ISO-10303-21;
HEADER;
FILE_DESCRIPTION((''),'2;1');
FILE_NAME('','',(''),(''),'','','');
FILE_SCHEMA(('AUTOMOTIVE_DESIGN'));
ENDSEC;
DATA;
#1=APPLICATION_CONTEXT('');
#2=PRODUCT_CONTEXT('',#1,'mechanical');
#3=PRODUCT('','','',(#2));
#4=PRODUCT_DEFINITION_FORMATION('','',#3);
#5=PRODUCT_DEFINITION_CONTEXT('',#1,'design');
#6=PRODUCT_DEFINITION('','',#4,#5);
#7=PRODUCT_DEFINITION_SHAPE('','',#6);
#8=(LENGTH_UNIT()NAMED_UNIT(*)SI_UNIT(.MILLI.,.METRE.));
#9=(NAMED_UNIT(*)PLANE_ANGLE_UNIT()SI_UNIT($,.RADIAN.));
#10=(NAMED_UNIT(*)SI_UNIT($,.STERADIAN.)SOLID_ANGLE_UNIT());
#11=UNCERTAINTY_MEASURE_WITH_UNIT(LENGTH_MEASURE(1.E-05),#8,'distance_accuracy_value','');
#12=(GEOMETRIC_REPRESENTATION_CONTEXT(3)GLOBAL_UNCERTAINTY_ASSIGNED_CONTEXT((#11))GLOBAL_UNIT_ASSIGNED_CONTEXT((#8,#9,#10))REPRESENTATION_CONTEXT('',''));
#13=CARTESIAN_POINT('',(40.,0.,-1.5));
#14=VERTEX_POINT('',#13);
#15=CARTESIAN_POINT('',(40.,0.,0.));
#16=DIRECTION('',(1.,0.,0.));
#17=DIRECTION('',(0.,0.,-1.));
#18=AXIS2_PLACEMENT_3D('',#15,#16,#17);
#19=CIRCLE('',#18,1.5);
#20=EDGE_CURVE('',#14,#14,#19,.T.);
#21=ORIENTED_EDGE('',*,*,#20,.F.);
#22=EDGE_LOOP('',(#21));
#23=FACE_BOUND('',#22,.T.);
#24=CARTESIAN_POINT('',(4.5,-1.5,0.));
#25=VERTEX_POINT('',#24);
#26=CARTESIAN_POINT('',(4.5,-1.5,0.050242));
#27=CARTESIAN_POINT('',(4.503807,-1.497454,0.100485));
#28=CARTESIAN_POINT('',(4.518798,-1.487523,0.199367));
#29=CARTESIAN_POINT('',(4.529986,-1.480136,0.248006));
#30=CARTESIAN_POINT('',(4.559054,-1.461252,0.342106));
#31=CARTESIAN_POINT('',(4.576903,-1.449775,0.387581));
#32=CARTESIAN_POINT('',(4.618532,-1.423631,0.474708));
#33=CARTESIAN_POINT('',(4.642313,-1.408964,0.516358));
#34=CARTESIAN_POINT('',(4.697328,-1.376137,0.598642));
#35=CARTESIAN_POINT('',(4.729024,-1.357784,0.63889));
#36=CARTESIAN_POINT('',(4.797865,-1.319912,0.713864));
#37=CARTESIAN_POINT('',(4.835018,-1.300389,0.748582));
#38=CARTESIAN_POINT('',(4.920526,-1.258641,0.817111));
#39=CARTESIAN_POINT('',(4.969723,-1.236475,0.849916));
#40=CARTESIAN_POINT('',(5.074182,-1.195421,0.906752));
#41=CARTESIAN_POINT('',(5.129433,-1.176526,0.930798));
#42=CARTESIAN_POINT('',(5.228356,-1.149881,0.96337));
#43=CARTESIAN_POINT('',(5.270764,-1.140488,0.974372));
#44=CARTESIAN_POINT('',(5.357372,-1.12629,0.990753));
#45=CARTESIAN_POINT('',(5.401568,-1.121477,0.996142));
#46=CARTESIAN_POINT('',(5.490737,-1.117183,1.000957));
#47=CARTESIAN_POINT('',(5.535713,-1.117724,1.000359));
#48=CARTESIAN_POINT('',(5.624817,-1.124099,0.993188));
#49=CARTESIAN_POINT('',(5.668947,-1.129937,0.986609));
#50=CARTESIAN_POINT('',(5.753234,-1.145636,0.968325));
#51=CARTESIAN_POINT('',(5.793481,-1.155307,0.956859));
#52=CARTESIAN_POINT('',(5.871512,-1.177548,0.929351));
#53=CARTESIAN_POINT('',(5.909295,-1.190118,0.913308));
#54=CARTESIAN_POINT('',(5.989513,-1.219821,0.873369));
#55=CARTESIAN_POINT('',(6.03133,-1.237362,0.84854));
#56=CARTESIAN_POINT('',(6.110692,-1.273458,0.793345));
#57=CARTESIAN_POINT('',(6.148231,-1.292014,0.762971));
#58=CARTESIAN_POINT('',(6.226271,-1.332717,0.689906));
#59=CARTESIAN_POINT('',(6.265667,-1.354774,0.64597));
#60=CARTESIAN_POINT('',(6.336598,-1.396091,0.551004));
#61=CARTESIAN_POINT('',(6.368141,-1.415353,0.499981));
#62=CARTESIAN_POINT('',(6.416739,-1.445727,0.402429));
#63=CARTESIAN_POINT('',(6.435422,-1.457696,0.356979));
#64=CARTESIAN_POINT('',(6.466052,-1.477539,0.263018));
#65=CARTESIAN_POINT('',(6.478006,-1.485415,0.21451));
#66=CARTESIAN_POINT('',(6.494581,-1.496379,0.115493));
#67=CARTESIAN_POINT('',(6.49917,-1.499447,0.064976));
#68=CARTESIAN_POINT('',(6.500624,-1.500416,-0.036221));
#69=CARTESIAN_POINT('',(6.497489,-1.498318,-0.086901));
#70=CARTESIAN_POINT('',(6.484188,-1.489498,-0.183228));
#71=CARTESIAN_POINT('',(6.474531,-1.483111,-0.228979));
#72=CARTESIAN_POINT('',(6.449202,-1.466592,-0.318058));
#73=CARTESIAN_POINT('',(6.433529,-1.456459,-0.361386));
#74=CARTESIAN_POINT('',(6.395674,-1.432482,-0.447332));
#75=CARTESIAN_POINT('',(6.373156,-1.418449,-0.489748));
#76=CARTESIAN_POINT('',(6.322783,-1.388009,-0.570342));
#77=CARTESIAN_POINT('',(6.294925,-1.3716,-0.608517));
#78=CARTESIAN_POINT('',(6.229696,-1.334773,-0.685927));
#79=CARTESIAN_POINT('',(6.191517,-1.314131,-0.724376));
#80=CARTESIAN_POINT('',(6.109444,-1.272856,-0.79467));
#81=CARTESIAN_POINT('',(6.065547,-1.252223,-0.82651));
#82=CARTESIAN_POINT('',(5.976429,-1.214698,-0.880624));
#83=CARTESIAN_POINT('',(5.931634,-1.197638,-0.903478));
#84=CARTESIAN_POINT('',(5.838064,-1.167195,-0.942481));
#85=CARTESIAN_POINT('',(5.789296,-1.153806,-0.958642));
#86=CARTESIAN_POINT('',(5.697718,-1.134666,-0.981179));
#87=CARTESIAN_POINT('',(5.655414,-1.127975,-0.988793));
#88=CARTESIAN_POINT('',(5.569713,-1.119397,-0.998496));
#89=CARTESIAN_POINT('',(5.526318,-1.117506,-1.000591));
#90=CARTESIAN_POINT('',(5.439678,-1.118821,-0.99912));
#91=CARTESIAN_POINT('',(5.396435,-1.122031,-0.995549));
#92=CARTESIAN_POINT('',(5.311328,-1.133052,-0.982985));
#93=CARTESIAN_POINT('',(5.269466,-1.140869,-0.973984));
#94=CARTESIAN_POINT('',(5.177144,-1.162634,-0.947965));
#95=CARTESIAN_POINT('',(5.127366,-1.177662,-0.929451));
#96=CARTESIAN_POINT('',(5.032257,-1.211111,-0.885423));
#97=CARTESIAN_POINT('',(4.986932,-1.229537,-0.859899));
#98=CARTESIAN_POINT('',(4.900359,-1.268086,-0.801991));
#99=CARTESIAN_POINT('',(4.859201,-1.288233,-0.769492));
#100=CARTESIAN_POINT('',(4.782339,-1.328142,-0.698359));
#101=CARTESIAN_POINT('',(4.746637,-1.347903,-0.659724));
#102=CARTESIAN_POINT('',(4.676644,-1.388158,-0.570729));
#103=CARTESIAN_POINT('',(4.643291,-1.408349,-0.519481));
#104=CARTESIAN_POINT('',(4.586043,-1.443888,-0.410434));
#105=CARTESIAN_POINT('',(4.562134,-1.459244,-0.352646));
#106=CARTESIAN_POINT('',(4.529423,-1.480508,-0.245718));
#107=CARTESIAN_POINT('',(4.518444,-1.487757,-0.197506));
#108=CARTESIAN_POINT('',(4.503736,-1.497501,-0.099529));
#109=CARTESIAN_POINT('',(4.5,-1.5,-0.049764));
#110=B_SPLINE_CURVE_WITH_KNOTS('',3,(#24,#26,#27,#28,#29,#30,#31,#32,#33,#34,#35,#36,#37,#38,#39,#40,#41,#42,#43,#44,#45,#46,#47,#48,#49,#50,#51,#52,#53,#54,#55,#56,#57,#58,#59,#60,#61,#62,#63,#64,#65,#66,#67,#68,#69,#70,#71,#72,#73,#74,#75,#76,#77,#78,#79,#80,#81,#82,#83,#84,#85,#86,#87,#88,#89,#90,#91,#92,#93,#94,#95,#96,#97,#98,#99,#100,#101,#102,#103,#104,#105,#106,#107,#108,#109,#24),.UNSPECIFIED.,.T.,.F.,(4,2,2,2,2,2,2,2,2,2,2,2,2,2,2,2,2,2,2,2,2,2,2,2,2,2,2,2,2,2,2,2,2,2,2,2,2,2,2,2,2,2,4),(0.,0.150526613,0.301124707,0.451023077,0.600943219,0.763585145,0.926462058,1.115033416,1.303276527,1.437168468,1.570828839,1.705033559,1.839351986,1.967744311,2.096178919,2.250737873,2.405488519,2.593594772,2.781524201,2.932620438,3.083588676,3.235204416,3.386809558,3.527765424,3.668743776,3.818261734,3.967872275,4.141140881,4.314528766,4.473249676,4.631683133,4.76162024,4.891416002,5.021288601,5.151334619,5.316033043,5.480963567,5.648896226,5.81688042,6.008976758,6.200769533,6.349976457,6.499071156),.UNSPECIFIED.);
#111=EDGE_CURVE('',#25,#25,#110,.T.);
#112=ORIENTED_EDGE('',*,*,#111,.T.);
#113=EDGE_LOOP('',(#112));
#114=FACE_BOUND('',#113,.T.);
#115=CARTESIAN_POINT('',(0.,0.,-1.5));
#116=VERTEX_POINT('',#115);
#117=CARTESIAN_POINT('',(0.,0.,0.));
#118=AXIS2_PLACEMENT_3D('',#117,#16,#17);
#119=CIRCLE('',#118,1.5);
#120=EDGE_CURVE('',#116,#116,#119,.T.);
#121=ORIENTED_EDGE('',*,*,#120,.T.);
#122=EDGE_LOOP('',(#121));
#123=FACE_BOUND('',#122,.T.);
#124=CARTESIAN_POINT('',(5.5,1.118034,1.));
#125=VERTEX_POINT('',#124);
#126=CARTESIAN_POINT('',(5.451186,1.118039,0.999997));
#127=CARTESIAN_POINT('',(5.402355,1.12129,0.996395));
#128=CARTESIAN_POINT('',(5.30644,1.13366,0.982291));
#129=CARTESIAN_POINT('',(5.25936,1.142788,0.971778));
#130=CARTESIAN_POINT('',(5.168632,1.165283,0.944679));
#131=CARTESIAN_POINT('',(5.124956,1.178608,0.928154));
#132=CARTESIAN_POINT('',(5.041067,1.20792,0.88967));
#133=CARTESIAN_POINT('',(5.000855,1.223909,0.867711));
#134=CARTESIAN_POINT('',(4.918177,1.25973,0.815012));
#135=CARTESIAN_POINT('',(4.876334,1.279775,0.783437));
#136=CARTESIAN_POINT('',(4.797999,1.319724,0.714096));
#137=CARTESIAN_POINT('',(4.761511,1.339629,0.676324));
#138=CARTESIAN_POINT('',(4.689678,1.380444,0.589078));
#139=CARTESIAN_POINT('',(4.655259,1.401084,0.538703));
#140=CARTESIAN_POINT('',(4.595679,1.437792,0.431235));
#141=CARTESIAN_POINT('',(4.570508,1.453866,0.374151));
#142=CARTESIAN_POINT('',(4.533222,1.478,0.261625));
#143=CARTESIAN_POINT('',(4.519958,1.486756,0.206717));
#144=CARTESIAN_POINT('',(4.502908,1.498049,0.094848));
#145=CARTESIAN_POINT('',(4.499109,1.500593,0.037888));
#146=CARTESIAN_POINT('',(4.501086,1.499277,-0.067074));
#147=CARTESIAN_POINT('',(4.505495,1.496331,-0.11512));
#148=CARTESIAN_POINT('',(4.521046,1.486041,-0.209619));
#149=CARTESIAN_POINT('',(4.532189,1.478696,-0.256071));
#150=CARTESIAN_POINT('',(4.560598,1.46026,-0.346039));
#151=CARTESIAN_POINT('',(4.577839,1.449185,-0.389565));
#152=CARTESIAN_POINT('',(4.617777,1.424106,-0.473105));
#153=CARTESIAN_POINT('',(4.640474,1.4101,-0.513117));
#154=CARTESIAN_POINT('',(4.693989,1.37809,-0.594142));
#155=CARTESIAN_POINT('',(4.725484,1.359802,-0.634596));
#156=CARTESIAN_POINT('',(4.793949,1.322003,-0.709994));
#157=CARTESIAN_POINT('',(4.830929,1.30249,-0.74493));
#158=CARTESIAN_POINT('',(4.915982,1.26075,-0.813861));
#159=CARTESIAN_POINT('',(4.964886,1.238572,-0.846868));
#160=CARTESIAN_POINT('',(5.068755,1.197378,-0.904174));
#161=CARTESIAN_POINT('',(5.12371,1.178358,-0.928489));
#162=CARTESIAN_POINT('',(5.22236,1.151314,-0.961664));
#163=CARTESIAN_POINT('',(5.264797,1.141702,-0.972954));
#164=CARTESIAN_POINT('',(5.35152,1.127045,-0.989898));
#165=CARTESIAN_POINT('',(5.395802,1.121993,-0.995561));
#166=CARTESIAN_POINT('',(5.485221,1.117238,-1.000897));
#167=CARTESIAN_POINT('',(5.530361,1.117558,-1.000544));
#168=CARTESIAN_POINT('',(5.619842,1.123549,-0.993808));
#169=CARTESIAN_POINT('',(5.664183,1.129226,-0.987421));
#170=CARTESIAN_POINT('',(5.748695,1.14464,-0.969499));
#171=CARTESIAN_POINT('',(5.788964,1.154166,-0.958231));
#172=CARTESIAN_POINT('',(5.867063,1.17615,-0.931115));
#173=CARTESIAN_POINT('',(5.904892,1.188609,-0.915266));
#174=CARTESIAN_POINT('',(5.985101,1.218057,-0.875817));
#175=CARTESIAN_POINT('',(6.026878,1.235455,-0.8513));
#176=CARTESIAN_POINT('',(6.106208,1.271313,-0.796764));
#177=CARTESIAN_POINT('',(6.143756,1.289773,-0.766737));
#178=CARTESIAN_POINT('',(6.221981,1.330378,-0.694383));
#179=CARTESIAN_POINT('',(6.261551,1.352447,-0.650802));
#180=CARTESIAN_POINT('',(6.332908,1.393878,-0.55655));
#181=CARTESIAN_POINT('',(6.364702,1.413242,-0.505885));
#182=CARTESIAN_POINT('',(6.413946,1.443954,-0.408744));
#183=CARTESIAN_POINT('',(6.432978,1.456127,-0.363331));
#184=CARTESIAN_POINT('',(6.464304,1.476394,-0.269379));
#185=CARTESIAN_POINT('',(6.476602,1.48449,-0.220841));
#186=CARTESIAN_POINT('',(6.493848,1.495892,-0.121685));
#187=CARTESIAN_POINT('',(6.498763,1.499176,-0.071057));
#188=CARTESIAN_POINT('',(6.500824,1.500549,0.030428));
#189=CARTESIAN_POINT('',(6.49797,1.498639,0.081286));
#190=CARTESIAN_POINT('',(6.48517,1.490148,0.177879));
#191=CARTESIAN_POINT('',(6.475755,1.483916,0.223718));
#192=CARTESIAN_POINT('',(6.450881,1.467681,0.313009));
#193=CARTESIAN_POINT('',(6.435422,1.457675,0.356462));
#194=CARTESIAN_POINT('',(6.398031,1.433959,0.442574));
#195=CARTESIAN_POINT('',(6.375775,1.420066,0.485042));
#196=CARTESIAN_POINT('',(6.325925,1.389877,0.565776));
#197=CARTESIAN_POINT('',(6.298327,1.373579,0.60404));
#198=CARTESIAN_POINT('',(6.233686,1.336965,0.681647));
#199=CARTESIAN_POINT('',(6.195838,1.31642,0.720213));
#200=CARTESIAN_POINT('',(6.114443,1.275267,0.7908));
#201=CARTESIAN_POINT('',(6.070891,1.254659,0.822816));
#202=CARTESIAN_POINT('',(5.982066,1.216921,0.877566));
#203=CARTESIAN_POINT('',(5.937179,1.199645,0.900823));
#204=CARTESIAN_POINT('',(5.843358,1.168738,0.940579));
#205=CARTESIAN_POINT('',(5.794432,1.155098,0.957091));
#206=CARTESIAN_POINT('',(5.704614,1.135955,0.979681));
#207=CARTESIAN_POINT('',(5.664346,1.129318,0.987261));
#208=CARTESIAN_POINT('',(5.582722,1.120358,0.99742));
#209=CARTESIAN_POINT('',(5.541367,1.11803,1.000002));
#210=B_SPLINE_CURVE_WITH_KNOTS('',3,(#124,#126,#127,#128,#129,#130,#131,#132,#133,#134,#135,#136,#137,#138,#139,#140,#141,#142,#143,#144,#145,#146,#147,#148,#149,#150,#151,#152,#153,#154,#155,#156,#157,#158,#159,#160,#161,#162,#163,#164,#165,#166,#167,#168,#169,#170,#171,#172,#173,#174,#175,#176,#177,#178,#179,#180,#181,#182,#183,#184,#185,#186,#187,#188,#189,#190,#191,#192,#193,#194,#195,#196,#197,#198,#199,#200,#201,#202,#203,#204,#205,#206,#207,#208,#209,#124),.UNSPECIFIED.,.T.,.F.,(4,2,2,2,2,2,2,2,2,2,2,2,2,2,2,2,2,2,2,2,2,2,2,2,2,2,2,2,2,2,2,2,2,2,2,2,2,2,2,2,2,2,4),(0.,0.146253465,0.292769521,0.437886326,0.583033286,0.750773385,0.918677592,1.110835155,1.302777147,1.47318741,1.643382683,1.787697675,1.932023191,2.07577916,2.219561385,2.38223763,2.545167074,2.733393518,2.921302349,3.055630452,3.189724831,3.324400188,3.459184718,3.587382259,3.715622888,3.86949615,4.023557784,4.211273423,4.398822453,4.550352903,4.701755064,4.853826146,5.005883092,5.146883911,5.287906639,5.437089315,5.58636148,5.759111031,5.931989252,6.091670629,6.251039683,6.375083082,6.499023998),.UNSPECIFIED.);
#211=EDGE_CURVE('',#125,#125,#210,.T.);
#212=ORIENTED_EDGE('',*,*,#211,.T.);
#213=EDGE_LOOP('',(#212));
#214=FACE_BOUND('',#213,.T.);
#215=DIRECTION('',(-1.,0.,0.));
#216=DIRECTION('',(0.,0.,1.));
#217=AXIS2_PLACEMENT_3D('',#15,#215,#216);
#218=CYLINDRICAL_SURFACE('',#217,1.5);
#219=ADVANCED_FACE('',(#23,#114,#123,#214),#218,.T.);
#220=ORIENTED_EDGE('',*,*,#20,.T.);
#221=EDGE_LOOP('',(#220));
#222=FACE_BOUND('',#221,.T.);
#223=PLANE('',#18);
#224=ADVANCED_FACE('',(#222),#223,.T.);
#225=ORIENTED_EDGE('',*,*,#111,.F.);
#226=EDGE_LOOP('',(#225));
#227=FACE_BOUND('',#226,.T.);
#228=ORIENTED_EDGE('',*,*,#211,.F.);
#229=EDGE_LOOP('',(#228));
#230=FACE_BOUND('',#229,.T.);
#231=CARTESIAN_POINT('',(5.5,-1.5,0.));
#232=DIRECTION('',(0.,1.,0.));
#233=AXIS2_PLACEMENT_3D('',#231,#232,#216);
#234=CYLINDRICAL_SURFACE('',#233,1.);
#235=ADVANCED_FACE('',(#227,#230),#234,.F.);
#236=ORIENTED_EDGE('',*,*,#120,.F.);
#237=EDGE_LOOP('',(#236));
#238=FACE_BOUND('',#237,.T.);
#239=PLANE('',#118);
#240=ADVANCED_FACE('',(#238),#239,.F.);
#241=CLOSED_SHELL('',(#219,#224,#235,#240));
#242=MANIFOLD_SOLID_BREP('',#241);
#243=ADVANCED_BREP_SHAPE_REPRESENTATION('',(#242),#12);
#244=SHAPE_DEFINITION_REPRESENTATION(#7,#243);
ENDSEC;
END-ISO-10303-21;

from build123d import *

# Parameters (mm, degrees)
SKETCH1_R               = 1.5
BOSS_EXTRUDE1_DEPTH     = 40
SKETCH2_R               = 1
CUT_EXTRUDE1_DEPTH      = 2.5
CUT_EXTRUDE1_DEPTH_BACK = 2.5


with BuildPart() as part:
    # Sketch1 → Boss-Extrude1 (new body)
    with BuildSketch(Plane(origin=(0, 0, 0), x_dir=(0, 0, -1), z_dir=(1, 0, 0))):
        Circle(SKETCH1_R)
    extrude(amount=BOSS_EXTRUDE1_DEPTH)

    # Sketch2 → Cut-Extrude1 (cut, two sides)
    with BuildSketch(Plane(origin=(0, 0, 0), x_dir=(1, 0, 0), z_dir=(0, 1, 0))) as cut_extrude1_sk:
        with Locations((5.5, 0)):
            Circle(SKETCH2_R)
    extrude(amount=CUT_EXTRUDE1_DEPTH, mode=Mode.SUBTRACT)
    extrude(cut_extrude1_sk.sketch, amount=-CUT_EXTRUDE1_DEPTH_BACK, mode=Mode.SUBTRACT)


solid = part.part
